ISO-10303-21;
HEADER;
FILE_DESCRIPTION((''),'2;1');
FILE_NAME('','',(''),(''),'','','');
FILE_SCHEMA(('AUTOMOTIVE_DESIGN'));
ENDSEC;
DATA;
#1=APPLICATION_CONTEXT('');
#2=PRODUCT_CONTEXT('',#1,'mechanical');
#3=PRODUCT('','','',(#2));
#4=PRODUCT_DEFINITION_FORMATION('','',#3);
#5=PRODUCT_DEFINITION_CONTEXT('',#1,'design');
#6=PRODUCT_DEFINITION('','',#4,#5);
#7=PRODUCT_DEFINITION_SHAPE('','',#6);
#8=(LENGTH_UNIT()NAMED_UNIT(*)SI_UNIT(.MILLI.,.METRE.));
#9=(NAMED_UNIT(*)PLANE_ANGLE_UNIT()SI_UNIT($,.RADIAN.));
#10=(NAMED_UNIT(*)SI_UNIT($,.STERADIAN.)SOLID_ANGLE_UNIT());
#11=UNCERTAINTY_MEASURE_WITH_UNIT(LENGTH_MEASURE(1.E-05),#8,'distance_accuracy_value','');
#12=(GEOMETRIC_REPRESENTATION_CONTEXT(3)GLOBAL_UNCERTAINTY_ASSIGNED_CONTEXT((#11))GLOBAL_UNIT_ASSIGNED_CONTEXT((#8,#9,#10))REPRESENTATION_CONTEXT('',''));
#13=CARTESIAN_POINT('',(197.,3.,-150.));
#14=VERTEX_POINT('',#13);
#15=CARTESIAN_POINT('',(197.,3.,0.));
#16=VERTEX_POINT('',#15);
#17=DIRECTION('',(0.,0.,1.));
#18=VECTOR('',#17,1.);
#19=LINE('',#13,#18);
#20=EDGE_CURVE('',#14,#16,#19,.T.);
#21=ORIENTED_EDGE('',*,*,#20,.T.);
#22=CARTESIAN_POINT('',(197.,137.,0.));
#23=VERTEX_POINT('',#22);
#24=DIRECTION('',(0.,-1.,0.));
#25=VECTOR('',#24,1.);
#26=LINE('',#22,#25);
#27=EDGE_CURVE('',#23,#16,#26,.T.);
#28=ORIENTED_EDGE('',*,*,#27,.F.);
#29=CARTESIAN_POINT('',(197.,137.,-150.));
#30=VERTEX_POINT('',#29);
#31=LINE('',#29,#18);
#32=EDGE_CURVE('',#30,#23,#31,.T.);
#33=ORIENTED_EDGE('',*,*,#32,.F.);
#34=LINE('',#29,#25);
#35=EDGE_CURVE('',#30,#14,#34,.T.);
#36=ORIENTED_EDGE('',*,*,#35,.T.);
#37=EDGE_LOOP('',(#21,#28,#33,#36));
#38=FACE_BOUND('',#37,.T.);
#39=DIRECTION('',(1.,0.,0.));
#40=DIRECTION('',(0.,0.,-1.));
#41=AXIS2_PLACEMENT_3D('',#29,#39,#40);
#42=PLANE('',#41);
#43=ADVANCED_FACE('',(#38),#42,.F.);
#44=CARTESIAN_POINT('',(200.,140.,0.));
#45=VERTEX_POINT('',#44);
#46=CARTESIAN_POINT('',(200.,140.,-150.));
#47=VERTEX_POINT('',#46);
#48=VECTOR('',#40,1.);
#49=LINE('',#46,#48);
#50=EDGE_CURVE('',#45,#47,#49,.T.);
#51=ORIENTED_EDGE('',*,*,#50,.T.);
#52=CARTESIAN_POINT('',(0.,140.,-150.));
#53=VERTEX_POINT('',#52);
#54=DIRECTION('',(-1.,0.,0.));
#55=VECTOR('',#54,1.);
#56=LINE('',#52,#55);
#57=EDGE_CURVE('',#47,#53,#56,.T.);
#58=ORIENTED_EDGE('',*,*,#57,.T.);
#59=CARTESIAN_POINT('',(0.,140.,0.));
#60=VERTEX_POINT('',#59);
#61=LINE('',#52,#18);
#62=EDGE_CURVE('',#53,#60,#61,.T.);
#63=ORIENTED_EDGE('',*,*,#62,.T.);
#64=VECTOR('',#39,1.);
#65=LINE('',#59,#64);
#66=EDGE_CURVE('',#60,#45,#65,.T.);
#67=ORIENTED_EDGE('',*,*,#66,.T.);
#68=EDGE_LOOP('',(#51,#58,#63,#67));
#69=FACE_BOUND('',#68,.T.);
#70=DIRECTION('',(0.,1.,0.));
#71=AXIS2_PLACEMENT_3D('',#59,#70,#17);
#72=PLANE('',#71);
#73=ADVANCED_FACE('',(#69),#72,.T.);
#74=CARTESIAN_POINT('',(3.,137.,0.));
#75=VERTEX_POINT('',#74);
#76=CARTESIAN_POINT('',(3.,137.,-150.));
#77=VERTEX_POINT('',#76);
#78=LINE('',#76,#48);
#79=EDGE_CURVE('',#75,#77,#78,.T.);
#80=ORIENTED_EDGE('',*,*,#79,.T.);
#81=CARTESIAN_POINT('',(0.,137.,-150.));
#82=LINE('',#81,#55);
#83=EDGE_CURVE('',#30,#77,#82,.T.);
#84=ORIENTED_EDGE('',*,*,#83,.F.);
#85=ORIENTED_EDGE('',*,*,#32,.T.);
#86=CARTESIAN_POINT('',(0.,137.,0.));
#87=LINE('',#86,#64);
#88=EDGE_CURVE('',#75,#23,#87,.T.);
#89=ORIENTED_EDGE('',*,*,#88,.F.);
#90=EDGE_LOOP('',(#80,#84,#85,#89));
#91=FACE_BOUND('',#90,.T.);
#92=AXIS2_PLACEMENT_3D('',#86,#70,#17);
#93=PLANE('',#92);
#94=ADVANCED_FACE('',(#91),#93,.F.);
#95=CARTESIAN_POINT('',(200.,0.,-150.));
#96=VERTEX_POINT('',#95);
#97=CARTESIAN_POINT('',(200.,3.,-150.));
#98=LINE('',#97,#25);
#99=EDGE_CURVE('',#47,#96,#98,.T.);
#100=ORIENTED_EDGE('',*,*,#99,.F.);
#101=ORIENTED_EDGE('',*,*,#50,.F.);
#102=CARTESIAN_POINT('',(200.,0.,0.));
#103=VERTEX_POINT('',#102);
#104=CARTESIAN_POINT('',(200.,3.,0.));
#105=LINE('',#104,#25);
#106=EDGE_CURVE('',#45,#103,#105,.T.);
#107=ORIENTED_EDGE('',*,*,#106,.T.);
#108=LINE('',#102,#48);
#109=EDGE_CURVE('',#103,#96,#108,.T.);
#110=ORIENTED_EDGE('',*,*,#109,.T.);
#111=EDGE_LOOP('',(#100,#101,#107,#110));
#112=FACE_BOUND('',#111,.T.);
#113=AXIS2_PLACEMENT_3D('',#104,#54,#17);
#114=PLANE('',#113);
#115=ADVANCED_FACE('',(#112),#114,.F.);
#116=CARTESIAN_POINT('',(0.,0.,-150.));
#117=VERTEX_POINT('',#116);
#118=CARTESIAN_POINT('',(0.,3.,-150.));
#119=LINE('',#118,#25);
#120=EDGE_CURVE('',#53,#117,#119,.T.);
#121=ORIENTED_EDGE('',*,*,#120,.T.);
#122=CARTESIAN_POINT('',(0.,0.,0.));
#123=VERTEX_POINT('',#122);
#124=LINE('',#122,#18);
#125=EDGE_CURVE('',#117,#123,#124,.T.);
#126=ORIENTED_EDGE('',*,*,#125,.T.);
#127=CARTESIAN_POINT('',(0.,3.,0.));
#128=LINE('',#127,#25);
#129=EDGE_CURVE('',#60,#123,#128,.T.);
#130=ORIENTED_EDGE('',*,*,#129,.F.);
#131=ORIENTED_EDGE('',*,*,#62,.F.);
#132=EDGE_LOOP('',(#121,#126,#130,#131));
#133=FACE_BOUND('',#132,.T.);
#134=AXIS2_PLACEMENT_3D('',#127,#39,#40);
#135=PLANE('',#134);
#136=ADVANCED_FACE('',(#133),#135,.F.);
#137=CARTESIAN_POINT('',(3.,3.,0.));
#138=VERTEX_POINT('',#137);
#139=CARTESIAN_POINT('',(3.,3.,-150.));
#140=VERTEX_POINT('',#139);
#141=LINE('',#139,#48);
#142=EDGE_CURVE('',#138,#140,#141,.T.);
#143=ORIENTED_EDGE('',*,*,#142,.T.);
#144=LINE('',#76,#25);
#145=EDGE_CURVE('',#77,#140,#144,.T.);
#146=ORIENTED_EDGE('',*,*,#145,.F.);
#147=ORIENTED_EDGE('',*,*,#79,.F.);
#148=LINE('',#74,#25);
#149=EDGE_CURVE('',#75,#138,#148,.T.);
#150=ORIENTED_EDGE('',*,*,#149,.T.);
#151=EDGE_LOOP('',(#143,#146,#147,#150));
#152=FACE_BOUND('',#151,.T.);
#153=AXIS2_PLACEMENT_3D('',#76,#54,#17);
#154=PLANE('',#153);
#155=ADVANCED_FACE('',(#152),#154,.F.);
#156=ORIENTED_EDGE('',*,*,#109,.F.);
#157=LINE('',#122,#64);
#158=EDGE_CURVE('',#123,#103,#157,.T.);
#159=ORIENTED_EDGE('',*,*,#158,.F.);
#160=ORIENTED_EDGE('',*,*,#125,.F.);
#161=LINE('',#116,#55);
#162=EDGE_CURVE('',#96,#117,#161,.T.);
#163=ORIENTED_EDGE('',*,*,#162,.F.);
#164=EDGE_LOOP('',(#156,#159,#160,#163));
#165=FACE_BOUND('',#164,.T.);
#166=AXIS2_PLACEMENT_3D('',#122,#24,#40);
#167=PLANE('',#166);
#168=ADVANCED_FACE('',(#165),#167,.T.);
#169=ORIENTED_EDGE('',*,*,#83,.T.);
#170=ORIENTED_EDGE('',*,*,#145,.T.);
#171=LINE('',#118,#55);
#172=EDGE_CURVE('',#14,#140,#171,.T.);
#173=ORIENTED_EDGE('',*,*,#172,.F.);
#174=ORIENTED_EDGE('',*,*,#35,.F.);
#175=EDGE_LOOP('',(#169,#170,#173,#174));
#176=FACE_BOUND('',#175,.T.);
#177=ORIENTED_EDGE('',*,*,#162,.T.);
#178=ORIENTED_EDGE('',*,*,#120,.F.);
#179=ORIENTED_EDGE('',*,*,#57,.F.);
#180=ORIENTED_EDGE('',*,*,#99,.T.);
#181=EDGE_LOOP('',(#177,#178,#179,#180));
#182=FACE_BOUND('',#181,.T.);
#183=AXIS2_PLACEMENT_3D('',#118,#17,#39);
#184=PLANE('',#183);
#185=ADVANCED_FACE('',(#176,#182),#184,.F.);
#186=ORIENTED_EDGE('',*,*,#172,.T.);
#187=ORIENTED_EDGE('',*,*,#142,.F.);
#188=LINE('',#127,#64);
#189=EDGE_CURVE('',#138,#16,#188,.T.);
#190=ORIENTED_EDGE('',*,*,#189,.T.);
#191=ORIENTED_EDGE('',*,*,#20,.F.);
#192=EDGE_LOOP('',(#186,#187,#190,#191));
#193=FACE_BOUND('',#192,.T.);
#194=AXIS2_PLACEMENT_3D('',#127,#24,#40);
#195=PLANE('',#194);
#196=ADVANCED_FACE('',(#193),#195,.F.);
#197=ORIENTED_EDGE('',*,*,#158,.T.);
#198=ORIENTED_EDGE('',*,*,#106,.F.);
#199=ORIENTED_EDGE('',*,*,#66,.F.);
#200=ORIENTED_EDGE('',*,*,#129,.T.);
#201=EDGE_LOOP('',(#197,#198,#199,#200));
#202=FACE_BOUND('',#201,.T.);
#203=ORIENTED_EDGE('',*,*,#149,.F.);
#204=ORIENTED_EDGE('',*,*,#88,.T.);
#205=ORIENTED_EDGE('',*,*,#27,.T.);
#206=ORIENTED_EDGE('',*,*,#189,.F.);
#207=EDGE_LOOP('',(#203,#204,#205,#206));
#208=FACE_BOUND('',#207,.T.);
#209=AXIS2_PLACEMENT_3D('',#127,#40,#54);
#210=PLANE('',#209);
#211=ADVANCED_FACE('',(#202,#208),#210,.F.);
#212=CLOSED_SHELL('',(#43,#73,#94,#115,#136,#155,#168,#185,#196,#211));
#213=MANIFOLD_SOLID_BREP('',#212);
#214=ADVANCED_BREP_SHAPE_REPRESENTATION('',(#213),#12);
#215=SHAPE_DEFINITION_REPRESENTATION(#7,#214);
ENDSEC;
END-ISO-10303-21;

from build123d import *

# Parameters (mm, degrees)
CROQUIS1_W              = 200
CROQUIS1_H              = 150
SALIENTE_EXTRUIR1_DEPTH = 3
CROQUIS2_W              = 3
CROQUIS2_H              = 150
SALIENTE_EXTRUIR2_DEPTH = 134
CROQUIS3_W              = 200
CROQUIS3_H              = 150
SALIENTE_EXTRUIR3_DEPTH = 3


with BuildPart() as part:
    # Croquis1 → Saliente-Extruir1 (new body)
    with BuildSketch(Plane(origin=(0, 0, 0), x_dir=(1, 0, 0), z_dir=(0, 1, 0))):
        with Locations((100, 75)):
            Rectangle(CROQUIS1_W, CROQUIS1_H)
    extrude(amount=SALIENTE_EXTRUIR1_DEPTH)

    # Croquis2 → Saliente-Extruir2 (add)
    with BuildSketch(Plane(origin=(0, 3, 0), x_dir=(1, 0, 0), z_dir=(0, 1, 0))):
        with Locations((1.5, 75)):
            Rectangle(CROQUIS2_W, CROQUIS2_H)
        with Locations((198.5, 75)):
            Rectangle(CROQUIS2_W, CROQUIS2_H)
    extrude(amount=SALIENTE_EXTRUIR2_DEPTH)

    # Croquis3 → Saliente-Extruir3 (add)
    with BuildSketch(Plane(origin=(0, 137, 0), x_dir=(1, 0, 0), z_dir=(0, 1, 0))):
        with Locations((100, 75)):
            Rectangle(CROQUIS3_W, CROQUIS3_H)
    extrude(amount=SALIENTE_EXTRUIR3_DEPTH)


solid = part.part
